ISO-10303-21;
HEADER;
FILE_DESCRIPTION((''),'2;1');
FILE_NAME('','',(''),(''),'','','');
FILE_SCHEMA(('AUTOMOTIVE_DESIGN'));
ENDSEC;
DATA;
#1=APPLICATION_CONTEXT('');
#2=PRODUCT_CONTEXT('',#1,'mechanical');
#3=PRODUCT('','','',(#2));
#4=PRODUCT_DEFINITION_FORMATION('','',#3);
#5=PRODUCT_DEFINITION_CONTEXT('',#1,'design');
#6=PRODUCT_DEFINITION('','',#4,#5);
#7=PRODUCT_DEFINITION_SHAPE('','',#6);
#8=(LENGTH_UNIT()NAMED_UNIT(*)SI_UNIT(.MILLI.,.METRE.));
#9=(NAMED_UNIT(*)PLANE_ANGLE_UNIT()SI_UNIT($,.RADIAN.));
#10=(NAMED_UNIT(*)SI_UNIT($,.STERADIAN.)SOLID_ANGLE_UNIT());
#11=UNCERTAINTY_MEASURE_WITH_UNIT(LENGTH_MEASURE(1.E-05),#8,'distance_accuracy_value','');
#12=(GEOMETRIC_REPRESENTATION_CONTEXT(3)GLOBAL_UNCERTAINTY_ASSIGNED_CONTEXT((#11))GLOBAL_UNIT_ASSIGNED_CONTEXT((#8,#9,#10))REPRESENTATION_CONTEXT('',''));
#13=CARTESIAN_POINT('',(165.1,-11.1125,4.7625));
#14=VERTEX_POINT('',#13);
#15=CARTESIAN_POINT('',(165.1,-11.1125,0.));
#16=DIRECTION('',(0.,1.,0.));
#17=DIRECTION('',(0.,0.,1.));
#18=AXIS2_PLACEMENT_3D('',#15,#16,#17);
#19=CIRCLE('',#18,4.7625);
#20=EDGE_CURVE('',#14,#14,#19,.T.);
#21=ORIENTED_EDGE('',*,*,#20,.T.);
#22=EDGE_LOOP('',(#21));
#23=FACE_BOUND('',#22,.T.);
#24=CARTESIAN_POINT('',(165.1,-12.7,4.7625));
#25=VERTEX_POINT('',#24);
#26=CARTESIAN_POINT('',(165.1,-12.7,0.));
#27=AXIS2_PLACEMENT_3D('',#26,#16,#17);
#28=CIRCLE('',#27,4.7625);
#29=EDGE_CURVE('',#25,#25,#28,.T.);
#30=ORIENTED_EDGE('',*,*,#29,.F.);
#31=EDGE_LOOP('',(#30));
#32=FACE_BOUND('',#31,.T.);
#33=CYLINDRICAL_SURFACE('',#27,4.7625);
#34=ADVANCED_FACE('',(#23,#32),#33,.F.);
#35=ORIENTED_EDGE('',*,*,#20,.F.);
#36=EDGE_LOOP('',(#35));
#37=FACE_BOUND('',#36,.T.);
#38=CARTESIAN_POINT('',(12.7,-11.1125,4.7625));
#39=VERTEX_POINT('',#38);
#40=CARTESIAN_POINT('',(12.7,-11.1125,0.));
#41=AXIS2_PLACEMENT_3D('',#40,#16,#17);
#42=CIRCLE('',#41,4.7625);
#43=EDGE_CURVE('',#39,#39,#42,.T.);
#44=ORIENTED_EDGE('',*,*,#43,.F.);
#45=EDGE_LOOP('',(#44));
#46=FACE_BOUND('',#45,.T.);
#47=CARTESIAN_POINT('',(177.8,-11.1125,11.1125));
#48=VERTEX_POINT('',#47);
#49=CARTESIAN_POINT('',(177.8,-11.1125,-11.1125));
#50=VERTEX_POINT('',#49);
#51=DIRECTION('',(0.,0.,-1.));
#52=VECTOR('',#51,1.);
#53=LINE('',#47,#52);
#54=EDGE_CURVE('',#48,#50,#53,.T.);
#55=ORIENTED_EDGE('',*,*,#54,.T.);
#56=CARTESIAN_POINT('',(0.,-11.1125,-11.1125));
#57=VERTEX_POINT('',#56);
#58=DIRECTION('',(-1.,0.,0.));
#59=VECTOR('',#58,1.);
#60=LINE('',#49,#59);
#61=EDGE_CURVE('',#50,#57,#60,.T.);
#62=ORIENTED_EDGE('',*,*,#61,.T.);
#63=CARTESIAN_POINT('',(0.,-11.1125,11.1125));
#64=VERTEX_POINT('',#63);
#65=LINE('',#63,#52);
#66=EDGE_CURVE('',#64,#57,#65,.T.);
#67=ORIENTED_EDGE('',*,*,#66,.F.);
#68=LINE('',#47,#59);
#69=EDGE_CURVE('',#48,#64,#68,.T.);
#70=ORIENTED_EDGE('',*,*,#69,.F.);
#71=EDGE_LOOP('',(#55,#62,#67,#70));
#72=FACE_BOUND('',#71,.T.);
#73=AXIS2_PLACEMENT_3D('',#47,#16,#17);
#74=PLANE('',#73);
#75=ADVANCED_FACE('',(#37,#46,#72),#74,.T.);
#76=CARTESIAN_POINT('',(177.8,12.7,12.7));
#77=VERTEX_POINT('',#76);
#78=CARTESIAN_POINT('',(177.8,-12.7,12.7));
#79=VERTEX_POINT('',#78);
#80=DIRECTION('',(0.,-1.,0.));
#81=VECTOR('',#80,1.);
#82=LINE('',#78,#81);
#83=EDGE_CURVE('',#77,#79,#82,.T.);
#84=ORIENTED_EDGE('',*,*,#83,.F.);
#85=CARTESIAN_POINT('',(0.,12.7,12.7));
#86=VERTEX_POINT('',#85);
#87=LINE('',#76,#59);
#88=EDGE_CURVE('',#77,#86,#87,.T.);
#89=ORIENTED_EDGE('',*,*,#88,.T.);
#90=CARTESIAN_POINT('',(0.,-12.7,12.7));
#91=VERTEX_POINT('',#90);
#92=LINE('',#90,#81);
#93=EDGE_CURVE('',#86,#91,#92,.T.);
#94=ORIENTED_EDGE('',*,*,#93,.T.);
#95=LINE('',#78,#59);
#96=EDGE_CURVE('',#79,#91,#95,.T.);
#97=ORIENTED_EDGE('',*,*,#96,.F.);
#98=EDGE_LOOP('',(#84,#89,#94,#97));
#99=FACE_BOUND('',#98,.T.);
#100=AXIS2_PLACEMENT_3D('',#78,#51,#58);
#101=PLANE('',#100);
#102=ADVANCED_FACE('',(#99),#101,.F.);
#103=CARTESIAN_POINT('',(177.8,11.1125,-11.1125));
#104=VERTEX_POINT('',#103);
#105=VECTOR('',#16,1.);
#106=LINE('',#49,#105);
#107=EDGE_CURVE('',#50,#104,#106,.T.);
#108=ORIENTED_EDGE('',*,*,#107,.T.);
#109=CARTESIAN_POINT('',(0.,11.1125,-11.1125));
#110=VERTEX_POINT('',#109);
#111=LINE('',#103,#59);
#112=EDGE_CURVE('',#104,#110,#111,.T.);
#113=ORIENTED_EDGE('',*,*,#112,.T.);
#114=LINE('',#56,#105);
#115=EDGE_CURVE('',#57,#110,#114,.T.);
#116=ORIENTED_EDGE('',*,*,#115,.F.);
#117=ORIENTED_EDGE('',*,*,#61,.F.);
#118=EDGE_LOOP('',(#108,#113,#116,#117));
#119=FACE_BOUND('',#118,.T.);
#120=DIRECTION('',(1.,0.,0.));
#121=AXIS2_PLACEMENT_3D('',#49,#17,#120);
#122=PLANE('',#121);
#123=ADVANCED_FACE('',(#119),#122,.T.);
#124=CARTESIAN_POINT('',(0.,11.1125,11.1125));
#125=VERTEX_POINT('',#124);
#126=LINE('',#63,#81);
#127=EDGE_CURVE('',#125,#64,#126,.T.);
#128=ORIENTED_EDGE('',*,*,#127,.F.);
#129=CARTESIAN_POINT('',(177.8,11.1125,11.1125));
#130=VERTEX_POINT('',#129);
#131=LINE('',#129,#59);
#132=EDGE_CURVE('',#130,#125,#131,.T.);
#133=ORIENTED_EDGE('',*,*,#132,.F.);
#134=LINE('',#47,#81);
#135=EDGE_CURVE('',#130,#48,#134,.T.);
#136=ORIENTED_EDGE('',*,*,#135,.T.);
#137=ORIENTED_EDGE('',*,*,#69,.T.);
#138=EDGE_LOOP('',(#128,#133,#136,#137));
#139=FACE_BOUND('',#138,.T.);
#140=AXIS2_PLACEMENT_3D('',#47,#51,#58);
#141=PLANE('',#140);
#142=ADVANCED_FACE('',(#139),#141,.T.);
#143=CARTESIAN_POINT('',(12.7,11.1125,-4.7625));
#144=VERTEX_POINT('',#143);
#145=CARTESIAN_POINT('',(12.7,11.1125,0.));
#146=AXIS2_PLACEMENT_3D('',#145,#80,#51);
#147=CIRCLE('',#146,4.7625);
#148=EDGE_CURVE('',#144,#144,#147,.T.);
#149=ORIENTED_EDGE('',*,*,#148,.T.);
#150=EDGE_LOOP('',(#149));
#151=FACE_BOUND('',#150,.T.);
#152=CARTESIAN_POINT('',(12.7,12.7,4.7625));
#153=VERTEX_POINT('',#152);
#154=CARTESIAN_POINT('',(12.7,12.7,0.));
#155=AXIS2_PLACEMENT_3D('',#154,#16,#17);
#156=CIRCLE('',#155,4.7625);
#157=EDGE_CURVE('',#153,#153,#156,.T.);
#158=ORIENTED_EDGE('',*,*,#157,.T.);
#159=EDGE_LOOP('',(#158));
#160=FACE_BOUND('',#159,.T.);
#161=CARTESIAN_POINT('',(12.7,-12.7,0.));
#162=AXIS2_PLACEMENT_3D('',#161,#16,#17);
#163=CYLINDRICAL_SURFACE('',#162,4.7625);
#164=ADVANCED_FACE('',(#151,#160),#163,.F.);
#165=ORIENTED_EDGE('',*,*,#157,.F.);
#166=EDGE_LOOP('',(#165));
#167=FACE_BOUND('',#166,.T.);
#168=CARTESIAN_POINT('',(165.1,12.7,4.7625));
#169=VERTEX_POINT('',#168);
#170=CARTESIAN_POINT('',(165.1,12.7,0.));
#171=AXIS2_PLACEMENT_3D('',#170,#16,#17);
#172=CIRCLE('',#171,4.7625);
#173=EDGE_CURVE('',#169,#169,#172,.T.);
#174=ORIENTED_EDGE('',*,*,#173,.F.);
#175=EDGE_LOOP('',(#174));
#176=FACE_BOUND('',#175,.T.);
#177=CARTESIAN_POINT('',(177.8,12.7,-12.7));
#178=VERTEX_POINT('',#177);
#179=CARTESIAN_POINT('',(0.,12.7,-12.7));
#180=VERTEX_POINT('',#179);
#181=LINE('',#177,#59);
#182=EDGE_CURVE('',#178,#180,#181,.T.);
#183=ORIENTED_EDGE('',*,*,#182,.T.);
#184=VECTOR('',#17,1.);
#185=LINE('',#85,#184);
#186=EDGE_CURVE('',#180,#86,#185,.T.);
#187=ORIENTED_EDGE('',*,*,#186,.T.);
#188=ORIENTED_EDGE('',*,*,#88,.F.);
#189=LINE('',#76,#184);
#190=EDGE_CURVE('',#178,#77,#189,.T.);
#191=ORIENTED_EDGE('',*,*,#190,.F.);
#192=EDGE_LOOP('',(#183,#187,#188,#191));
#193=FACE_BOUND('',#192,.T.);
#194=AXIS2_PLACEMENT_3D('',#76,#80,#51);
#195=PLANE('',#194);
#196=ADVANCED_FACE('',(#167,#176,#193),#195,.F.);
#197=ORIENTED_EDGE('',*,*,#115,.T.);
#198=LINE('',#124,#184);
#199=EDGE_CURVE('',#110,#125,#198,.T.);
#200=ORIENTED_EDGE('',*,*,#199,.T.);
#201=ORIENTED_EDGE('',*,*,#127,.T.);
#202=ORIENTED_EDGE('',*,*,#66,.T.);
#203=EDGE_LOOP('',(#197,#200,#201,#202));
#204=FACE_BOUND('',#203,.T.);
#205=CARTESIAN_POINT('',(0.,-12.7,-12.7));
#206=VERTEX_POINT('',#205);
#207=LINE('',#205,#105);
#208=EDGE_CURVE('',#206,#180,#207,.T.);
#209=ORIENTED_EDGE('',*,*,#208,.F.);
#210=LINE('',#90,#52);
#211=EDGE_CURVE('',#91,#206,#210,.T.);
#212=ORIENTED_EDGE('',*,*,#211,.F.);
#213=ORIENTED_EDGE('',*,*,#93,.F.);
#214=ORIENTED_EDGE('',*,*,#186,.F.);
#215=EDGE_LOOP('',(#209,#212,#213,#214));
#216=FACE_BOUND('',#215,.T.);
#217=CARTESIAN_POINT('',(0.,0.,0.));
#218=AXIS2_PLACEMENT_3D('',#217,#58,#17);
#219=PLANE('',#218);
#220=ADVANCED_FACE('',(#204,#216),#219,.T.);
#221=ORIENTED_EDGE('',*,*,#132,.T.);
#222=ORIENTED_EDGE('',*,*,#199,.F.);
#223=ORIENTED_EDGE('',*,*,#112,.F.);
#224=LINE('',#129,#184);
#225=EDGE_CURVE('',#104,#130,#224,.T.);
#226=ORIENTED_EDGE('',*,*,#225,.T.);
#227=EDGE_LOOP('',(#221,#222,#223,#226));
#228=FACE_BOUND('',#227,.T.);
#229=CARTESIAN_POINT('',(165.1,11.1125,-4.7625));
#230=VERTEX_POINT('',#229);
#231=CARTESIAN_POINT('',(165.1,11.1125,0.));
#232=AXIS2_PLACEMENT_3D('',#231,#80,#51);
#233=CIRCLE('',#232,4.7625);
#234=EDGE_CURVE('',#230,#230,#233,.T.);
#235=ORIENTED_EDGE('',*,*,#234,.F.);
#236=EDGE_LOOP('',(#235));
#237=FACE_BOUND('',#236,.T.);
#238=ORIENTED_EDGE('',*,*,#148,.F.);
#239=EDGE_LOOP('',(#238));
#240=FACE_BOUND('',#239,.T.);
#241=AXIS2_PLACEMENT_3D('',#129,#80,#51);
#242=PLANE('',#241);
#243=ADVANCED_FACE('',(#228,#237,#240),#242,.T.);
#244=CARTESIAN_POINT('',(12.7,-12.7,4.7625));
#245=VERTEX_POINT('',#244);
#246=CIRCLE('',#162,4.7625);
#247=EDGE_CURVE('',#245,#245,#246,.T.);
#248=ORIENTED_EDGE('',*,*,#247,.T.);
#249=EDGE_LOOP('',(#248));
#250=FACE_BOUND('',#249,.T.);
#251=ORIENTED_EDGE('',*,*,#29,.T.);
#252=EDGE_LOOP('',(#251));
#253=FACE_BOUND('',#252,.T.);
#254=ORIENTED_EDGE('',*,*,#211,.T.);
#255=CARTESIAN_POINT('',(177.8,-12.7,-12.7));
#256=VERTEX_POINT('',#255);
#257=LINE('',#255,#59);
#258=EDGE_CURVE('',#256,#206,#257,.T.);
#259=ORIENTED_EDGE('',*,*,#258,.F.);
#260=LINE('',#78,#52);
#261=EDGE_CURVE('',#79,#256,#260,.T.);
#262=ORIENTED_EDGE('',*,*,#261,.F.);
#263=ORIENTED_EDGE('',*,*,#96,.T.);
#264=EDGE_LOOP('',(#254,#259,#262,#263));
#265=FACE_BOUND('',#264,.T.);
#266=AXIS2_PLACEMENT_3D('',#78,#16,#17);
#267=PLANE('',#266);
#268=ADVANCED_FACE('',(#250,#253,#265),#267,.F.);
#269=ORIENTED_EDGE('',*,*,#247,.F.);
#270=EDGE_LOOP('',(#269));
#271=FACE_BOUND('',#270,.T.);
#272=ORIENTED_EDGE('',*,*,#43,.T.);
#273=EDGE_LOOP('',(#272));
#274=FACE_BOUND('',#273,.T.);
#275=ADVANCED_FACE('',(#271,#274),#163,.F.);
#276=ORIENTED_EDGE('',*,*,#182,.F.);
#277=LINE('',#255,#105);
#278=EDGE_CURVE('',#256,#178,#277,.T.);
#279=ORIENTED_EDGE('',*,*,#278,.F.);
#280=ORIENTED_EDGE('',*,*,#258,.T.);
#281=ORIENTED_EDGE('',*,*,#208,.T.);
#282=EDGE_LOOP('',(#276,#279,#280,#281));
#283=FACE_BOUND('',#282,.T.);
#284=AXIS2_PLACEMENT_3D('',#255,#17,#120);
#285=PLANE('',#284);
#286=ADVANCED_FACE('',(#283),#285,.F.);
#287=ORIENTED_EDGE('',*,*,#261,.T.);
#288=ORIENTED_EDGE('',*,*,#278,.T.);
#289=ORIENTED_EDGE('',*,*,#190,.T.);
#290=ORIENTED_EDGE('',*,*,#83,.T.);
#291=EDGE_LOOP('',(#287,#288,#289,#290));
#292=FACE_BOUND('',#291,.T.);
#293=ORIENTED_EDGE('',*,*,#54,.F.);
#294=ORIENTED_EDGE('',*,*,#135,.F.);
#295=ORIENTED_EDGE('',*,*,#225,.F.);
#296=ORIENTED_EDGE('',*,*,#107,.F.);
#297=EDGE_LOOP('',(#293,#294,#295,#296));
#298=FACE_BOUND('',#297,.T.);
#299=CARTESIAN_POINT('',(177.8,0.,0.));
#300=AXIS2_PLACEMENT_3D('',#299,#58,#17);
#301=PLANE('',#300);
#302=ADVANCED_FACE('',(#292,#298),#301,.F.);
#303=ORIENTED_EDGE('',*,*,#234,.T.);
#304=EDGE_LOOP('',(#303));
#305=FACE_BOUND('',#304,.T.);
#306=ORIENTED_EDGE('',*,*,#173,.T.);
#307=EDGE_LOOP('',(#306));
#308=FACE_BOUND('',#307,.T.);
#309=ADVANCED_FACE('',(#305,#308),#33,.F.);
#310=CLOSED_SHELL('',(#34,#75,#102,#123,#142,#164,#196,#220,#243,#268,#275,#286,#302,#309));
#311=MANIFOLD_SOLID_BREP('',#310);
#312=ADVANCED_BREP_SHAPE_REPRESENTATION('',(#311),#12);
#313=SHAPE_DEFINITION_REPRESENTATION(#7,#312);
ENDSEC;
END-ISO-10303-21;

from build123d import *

# Parameters (mm, degrees)
SKETCH1_W           = 25.4
SKETCH1_H           = 25.4
SKETCH1_W_2         = 22.225
SKETCH1_H_2         = 22.225
BOSS_EXTRUDE1_DEPTH = 177.8
SKETCH2_R           = 4.7625
CUT_EXTRUDE1_DEPTH  = 181.05357536


with BuildPart() as part:
    # Sketch1 → Boss-Extrude1 (new body)
    with BuildSketch(Plane(origin=(0, 0, 0), x_dir=(0, 0, -1), z_dir=(1, 0, 0))):
        Rectangle(SKETCH1_W, SKETCH1_H)
        Rectangle(SKETCH1_W_2, SKETCH1_H_2, mode=Mode.SUBTRACT)
    extrude(amount=BOSS_EXTRUDE1_DEPTH)

    # Sketch2 → Cut-Extrude1 (cut, through all)
    with BuildSketch(Plane(origin=(0, 12.7, 0), x_dir=(1, 0, 0), z_dir=(0, 1, 0))):
        with Locations(Location((12.7, 0, 0), (0, 0, 270))):
            Circle(SKETCH2_R)
        with Locations(Location((165.1, 0, 0), (0, 0, 270))):
            Circle(SKETCH2_R)
    extrude(amount=-CUT_EXTRUDE1_DEPTH, mode=Mode.SUBTRACT)


solid = part.part
